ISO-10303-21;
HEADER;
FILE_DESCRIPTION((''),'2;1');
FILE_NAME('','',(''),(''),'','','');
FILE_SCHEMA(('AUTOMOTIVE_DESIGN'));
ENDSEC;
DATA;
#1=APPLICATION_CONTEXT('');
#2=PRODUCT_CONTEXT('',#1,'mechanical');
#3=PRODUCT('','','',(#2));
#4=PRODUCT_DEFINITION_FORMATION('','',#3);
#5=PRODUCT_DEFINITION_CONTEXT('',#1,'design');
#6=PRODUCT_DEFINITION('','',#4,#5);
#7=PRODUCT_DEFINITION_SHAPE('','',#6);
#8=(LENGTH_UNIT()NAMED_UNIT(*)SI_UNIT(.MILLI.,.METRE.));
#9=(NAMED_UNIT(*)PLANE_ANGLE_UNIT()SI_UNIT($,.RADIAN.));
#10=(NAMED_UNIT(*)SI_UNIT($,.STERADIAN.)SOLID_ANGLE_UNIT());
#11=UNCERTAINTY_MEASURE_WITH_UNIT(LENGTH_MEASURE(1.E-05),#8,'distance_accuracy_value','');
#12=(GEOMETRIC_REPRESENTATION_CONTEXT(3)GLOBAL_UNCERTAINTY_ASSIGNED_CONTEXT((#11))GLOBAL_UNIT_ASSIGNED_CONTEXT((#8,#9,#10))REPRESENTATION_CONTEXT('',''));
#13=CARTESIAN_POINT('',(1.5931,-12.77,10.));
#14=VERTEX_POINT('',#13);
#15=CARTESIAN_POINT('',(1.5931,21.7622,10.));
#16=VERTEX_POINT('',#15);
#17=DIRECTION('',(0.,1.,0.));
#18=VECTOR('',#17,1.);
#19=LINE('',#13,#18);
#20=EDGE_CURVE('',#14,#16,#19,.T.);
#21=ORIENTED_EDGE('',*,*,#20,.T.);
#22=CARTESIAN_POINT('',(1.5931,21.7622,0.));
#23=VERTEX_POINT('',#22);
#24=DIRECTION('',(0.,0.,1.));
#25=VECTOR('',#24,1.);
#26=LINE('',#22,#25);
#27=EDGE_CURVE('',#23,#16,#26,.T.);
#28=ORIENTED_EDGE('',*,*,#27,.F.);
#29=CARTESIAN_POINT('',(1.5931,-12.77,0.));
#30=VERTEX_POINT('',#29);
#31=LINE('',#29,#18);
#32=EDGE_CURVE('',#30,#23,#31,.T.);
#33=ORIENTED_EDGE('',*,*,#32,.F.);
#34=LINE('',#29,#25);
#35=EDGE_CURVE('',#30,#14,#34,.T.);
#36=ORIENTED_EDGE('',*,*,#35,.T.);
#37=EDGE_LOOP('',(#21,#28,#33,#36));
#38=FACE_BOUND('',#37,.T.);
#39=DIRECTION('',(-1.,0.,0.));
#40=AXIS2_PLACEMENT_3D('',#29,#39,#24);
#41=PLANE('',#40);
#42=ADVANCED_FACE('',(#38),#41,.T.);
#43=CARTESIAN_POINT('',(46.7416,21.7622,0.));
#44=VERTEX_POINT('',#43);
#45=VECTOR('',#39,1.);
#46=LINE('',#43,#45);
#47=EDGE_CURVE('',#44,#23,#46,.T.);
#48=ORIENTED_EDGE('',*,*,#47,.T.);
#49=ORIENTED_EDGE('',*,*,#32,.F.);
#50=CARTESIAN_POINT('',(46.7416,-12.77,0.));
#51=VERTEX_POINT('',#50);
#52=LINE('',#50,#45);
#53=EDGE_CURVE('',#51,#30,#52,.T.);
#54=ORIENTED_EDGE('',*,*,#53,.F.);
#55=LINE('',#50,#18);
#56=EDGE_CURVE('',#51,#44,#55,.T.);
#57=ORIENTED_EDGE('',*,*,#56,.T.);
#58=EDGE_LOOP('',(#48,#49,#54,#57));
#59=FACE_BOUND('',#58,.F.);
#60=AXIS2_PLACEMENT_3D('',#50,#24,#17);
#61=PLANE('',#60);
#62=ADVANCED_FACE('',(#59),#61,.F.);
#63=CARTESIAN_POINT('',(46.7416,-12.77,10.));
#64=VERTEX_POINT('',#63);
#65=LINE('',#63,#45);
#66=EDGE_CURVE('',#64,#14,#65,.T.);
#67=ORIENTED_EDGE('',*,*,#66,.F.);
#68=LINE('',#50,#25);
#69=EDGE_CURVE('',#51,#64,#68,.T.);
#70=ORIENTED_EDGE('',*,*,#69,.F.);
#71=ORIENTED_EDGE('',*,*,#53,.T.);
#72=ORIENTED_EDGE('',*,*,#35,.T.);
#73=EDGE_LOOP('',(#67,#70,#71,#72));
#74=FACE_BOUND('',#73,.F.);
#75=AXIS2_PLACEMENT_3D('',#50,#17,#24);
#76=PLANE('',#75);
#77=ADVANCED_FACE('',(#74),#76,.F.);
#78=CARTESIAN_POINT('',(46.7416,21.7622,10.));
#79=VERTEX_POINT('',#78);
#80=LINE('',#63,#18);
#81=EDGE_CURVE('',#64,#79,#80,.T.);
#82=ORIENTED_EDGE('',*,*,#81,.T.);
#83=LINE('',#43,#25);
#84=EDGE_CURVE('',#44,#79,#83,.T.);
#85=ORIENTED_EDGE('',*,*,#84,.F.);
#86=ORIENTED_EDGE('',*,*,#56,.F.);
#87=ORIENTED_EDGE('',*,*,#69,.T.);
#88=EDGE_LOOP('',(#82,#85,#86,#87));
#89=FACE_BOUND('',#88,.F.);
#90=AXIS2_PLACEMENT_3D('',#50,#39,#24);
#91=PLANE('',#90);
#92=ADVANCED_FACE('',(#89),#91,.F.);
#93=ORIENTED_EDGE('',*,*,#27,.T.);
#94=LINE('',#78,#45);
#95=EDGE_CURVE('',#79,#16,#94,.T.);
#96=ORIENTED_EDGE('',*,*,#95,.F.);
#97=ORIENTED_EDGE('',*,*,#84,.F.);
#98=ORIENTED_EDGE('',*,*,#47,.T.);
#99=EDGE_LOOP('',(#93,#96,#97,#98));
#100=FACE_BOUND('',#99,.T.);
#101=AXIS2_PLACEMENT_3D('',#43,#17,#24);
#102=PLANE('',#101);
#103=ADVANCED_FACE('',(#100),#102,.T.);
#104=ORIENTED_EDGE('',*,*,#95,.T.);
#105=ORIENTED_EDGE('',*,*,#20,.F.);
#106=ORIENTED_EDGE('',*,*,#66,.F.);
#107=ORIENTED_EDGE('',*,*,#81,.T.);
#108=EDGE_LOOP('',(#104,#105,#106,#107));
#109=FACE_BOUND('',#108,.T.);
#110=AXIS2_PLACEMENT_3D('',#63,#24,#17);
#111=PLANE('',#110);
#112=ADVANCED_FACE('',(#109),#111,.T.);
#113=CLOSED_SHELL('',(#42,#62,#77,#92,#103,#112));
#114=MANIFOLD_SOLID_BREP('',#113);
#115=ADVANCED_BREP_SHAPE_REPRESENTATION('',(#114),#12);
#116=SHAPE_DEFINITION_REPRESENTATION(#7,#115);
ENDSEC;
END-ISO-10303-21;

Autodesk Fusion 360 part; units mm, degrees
box "BoxPrimitive1" add length 34.5322 width 45.1485 height 10 placed x (0, 1, 0) y (-1, 0, 0) z (0, 0, 1) at (46.7416, -12.77, 0)
